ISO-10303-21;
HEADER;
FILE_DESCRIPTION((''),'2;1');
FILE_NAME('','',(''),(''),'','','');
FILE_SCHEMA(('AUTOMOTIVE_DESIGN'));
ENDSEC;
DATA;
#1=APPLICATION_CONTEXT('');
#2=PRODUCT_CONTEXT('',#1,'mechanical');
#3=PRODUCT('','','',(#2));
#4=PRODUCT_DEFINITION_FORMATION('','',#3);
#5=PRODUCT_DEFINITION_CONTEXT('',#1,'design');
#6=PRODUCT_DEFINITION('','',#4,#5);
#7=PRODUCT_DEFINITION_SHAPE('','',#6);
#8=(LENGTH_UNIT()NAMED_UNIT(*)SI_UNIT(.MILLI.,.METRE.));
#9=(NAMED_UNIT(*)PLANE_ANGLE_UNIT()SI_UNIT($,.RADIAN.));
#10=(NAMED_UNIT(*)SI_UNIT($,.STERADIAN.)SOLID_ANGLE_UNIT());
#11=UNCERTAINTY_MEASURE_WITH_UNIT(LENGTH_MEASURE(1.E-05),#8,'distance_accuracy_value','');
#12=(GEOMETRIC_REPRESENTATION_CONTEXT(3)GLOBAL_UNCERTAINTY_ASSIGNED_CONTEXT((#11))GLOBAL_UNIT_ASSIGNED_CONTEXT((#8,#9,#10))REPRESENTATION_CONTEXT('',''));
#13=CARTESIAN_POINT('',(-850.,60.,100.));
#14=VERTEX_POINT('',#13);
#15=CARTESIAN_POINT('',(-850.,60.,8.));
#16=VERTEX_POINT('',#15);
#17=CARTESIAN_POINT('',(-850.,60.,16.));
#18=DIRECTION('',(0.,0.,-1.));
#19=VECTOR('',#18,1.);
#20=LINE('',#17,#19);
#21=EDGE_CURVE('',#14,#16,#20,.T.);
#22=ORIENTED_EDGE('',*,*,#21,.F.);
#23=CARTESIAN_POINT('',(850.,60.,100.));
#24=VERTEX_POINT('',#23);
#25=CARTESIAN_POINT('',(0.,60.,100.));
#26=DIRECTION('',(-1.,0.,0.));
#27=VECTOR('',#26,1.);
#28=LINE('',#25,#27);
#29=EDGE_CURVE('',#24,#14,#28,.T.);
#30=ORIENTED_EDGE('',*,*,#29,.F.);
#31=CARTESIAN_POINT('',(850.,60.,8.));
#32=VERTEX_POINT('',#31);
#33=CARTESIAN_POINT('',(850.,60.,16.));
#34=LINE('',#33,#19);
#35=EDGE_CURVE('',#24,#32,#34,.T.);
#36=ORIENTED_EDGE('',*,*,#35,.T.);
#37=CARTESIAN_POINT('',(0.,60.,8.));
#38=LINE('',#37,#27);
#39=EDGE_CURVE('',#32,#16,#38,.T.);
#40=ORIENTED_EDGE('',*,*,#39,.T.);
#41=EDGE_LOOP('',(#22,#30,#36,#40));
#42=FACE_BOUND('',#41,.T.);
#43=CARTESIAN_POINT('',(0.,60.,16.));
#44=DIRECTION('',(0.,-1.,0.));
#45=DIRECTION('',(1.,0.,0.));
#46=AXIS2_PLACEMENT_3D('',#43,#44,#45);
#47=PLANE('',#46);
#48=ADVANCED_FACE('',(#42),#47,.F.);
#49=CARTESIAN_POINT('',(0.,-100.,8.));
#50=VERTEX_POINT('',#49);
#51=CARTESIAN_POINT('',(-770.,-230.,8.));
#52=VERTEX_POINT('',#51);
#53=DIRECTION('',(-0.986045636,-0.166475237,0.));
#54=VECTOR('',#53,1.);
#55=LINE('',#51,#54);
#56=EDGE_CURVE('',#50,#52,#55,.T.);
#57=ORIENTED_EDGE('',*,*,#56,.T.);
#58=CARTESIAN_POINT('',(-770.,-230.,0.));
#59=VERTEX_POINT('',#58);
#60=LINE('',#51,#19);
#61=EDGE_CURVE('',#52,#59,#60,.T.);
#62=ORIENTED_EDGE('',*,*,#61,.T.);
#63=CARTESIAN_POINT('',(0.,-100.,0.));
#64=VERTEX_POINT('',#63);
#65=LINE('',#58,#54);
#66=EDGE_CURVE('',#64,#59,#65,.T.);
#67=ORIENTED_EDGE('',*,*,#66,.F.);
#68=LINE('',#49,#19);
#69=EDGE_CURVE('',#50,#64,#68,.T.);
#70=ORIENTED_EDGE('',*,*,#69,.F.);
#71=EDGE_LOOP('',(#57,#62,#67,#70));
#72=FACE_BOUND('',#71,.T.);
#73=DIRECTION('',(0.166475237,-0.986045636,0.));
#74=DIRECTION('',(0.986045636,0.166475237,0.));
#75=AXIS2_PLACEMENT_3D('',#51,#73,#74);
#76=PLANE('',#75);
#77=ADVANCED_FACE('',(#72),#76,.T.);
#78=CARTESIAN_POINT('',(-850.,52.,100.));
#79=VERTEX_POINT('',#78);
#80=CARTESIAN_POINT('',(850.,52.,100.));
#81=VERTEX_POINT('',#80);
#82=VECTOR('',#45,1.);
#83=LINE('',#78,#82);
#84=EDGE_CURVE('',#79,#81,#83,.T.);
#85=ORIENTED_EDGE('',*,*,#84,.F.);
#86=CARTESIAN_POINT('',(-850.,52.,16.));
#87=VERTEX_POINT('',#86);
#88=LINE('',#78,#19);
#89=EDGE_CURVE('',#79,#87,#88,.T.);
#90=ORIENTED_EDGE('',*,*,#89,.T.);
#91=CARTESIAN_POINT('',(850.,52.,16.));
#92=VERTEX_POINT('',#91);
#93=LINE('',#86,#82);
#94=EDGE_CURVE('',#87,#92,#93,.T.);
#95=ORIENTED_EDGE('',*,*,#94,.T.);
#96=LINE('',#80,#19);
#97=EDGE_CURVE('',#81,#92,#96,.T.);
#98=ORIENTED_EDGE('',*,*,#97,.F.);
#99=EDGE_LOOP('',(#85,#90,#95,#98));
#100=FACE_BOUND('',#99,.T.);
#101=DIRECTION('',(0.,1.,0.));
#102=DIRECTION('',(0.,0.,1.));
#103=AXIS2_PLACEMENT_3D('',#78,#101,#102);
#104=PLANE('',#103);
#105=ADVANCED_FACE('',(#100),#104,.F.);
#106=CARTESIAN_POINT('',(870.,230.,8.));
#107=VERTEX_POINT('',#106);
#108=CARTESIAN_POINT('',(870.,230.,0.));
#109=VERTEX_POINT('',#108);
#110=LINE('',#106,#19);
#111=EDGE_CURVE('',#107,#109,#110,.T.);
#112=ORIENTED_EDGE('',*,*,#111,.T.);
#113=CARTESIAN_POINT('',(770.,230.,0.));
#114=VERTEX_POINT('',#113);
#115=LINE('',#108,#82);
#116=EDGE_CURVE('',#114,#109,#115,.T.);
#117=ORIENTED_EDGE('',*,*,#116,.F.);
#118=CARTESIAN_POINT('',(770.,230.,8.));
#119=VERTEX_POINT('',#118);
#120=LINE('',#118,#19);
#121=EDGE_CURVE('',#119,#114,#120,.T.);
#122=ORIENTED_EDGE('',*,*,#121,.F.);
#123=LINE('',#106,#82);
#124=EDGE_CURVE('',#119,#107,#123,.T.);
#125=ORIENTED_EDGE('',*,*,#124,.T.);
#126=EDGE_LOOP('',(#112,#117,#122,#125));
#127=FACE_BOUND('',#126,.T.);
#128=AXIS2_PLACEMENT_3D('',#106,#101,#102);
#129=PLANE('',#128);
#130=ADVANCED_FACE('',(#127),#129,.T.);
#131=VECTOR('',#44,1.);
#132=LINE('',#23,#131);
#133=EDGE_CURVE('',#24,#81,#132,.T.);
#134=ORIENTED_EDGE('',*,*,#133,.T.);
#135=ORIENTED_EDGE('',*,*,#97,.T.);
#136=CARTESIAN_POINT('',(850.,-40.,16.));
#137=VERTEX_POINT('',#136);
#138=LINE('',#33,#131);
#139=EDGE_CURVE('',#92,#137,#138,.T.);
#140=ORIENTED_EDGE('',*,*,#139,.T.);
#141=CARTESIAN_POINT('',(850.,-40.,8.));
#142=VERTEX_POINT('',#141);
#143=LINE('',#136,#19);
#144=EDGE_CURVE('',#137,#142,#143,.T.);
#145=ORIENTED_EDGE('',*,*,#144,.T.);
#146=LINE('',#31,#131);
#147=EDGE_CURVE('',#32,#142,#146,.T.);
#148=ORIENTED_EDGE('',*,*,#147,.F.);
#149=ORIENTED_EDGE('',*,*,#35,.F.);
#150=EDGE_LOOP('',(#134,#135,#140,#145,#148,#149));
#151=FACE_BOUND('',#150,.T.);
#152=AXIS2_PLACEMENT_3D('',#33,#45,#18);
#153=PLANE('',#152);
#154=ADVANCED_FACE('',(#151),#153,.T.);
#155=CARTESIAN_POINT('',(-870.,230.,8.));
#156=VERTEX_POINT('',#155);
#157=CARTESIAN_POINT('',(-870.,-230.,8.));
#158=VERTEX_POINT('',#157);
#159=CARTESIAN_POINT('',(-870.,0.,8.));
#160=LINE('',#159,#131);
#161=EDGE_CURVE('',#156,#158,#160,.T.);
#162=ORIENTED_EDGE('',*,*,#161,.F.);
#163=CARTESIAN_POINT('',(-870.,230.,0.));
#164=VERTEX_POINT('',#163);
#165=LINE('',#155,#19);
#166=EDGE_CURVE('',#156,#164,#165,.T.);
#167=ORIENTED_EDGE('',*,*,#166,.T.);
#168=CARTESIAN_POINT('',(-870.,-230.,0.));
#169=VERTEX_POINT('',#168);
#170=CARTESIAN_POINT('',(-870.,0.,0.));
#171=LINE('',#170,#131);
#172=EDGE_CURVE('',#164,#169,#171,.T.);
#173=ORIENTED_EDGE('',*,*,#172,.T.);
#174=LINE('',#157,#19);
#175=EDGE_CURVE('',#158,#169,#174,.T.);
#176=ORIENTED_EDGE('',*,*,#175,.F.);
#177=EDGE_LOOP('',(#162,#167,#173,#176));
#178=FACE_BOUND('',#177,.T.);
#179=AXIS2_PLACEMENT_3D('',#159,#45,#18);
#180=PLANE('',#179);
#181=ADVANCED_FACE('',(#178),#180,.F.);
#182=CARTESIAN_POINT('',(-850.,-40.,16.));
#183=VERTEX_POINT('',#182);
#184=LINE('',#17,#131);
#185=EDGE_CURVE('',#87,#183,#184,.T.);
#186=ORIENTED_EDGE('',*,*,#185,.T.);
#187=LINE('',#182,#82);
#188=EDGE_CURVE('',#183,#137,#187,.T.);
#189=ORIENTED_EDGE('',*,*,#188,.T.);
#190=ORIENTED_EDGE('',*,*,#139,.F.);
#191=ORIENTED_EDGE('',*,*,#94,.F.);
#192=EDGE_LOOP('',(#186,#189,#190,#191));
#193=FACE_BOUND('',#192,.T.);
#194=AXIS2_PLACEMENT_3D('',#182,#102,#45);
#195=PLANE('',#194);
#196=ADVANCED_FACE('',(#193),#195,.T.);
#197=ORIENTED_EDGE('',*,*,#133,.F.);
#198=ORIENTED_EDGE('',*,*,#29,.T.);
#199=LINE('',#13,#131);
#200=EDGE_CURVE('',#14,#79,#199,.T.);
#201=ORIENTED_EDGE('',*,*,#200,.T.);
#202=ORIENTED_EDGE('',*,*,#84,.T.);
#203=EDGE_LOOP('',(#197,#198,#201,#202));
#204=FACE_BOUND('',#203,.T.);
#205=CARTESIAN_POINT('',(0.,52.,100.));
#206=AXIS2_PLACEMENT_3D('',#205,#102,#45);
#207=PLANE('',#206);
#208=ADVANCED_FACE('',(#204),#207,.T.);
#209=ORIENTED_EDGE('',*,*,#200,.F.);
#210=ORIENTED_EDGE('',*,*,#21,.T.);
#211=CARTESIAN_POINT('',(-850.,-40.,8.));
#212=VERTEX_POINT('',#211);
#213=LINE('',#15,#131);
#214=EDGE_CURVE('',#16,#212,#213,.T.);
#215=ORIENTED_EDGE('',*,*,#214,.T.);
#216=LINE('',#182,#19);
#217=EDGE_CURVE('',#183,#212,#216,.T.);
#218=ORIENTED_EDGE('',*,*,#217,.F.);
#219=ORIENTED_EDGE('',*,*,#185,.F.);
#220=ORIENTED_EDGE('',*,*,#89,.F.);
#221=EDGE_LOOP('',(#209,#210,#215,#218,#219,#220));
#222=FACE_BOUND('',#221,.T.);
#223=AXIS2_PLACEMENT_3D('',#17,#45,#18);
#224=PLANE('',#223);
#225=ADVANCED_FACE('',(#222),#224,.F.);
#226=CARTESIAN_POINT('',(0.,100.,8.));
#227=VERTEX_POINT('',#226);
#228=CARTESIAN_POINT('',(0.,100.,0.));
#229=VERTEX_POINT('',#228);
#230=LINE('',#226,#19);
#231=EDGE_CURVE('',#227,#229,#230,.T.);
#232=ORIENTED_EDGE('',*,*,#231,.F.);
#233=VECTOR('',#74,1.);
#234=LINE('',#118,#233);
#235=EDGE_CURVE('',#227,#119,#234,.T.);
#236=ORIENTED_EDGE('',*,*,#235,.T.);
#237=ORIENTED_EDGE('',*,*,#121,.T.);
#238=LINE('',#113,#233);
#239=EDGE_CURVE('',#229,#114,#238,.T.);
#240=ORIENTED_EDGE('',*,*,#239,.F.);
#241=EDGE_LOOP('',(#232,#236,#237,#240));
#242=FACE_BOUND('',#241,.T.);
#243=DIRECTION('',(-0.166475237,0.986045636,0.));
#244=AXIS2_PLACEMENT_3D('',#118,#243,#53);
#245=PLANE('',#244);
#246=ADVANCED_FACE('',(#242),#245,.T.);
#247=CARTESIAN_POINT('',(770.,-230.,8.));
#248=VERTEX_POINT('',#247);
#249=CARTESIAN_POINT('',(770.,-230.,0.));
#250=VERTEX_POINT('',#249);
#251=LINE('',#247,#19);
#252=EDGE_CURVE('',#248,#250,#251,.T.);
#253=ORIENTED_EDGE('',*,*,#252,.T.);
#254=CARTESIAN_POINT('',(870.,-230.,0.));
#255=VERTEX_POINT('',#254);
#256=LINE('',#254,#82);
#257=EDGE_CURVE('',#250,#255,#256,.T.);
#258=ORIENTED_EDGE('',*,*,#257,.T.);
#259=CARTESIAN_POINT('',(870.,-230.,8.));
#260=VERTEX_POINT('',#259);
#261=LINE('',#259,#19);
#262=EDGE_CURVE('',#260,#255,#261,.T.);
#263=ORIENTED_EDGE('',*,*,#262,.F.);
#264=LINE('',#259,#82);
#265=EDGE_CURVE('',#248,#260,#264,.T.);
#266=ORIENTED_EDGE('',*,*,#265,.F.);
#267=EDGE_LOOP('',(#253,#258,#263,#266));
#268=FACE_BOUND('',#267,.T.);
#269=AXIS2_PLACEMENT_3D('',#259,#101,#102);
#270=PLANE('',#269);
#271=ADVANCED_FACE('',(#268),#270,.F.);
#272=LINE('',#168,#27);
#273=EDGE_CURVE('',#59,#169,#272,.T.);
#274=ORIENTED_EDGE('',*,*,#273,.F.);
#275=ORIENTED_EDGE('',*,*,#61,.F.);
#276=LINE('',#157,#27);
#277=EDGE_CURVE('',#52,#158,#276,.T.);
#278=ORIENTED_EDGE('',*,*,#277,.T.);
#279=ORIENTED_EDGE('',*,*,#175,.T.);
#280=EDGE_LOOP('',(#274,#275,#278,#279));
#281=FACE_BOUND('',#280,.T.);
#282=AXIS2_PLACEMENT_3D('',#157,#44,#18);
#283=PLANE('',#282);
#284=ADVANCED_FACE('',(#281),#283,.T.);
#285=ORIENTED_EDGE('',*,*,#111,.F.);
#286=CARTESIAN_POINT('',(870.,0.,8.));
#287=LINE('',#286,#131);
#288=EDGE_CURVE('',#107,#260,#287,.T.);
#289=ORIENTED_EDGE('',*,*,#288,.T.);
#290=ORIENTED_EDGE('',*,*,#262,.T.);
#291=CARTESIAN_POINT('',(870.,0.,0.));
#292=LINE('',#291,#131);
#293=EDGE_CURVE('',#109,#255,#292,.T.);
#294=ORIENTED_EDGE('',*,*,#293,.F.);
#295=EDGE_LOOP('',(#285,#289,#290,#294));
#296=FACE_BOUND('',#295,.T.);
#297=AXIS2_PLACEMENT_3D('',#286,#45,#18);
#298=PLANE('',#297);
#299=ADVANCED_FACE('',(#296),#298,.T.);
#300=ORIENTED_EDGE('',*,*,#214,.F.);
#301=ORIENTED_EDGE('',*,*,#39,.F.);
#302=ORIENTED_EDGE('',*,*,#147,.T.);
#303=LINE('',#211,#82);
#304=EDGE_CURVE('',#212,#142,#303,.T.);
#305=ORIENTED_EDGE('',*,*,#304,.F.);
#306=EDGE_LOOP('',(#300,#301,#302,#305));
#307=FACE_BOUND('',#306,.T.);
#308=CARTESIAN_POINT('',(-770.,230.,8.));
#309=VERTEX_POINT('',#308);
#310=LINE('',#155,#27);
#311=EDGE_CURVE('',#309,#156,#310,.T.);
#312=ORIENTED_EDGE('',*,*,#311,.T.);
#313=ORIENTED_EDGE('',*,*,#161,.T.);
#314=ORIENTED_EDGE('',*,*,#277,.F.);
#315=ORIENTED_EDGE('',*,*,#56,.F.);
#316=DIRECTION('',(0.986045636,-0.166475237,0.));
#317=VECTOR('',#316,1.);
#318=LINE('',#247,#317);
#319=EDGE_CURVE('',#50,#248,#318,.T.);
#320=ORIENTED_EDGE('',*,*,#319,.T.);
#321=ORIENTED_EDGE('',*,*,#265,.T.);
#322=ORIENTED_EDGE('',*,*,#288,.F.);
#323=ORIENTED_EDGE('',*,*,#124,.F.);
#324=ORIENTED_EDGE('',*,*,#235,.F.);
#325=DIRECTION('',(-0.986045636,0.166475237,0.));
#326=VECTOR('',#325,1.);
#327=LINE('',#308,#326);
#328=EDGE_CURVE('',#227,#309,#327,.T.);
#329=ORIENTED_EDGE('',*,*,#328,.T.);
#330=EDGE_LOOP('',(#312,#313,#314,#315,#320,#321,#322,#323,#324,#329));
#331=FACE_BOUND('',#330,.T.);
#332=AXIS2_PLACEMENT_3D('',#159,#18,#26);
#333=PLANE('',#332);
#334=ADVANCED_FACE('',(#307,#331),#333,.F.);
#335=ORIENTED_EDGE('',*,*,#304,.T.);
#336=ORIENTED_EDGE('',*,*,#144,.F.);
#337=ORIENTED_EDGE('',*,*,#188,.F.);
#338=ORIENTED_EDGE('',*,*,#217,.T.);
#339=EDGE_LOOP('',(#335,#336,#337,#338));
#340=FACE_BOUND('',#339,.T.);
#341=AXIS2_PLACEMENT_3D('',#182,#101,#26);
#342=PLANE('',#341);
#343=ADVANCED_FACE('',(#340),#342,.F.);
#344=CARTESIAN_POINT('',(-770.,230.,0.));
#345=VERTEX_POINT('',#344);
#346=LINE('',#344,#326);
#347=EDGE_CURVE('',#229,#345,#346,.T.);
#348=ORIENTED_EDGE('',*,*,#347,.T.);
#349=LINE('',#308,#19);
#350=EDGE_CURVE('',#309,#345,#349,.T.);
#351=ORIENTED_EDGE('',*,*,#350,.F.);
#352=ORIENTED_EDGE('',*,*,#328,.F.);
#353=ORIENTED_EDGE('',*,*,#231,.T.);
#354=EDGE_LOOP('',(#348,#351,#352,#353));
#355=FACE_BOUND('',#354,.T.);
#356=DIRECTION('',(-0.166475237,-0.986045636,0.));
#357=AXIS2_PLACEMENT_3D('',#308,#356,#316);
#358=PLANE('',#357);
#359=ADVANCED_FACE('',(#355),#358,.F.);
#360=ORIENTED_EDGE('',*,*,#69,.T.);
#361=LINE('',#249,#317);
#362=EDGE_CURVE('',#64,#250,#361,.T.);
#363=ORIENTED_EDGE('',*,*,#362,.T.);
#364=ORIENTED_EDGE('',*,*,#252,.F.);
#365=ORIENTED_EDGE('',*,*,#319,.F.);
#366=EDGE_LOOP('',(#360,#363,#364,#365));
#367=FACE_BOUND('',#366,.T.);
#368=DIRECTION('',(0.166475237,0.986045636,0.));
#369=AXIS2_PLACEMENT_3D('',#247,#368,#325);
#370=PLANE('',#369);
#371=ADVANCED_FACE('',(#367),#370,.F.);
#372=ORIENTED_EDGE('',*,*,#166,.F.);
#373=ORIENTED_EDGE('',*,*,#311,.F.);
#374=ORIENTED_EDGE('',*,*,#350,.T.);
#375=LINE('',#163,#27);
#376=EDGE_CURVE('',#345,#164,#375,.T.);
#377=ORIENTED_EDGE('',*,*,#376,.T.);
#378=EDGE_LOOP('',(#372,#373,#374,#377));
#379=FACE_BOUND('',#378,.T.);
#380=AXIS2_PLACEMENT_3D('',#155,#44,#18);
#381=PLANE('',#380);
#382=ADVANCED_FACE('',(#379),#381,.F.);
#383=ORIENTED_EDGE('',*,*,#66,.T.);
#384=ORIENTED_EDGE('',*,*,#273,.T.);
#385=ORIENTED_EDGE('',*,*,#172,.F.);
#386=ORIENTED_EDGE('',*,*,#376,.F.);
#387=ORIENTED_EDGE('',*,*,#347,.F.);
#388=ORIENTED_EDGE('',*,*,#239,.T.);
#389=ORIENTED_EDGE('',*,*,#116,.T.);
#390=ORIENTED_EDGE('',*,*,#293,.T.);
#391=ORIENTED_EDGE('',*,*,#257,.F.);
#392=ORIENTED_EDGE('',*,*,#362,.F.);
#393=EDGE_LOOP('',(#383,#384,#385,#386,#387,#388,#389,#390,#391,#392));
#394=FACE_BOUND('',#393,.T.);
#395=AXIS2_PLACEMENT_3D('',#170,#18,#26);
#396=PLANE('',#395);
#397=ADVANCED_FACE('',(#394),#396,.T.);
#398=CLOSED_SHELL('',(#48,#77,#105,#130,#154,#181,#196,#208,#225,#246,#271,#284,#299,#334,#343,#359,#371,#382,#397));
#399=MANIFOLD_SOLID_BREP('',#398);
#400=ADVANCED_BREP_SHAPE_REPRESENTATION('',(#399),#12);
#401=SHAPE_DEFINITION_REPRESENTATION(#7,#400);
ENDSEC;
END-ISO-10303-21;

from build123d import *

# Parameters (mm, degrees)
EXTRUDE_2_DEPTH       = 8
SKETCH_5_W            = 850
SKETCH_5_H            = 100
EXTRUDE_3_DEPTH       = 8
SKETCH_6_W            = 850
SKETCH_6_H            = 8
EXTRUDE_4_DEPTH       = 84
MIRROR_7_COPY_1_DEPTH = 8


with BuildPart() as part:
    # 草图1 → 凸台-拉伸2 (new body)
    with BuildSketch(Plane.XY):
        Polygon((-870, 0), (-870, 230), (-770, 230), (0, 100), (0, 0), align=None)
    extrude_2 = extrude(amount=EXTRUDE_2_DEPTH)

    # 镜向2: 凸台-拉伸2 across plane
    add(extrude_2.mirror(Plane.ZX))

    # 草图5 → 凸台-拉伸3 (add)
    with BuildSketch(Plane.XY.offset(8)):
        with Locations((-425, 10)):
            Rectangle(SKETCH_5_W, SKETCH_5_H)
    extrude_3 = extrude(amount=EXTRUDE_3_DEPTH)

    # 草图6 → 凸台-拉伸4 (add)
    with BuildSketch(Plane.XY.offset(16)):
        with Locations((-425, 56)):
            Rectangle(SKETCH_6_W, SKETCH_6_H)
    extrude_4 = extrude(amount=EXTRUDE_4_DEPTH)

    # 镜向7: 凸台-拉伸2, 凸台-拉伸3, 凸台-拉伸4 across plane
    add(extrude_2.mirror(Plane(origin=(0, 0, 0), x_dir=(0, 0, 1), z_dir=(1, 0, 0))))
    add(extrude_3.mirror(Plane(origin=(0, 0, 0), x_dir=(0, 0, 1), z_dir=(1, 0, 0))))
    add(extrude_4.mirror(Plane(origin=(0, 0, 0), x_dir=(0, 0, 1), z_dir=(1, 0, 0))))

    # 镜向7 copy 1 sketch → 镜向7 copy 1 (add)
    with BuildSketch(Plane(origin=(0, 0, 0), x_dir=(-1, 0, 0), z_dir=(0, 0, 1))):
        Polygon((-870, 0), (-870, 230), (-770, 230), (0, 100), (0, 0), align=None)
    extrude(amount=MIRROR_7_COPY_1_DEPTH)


solid = part.part
